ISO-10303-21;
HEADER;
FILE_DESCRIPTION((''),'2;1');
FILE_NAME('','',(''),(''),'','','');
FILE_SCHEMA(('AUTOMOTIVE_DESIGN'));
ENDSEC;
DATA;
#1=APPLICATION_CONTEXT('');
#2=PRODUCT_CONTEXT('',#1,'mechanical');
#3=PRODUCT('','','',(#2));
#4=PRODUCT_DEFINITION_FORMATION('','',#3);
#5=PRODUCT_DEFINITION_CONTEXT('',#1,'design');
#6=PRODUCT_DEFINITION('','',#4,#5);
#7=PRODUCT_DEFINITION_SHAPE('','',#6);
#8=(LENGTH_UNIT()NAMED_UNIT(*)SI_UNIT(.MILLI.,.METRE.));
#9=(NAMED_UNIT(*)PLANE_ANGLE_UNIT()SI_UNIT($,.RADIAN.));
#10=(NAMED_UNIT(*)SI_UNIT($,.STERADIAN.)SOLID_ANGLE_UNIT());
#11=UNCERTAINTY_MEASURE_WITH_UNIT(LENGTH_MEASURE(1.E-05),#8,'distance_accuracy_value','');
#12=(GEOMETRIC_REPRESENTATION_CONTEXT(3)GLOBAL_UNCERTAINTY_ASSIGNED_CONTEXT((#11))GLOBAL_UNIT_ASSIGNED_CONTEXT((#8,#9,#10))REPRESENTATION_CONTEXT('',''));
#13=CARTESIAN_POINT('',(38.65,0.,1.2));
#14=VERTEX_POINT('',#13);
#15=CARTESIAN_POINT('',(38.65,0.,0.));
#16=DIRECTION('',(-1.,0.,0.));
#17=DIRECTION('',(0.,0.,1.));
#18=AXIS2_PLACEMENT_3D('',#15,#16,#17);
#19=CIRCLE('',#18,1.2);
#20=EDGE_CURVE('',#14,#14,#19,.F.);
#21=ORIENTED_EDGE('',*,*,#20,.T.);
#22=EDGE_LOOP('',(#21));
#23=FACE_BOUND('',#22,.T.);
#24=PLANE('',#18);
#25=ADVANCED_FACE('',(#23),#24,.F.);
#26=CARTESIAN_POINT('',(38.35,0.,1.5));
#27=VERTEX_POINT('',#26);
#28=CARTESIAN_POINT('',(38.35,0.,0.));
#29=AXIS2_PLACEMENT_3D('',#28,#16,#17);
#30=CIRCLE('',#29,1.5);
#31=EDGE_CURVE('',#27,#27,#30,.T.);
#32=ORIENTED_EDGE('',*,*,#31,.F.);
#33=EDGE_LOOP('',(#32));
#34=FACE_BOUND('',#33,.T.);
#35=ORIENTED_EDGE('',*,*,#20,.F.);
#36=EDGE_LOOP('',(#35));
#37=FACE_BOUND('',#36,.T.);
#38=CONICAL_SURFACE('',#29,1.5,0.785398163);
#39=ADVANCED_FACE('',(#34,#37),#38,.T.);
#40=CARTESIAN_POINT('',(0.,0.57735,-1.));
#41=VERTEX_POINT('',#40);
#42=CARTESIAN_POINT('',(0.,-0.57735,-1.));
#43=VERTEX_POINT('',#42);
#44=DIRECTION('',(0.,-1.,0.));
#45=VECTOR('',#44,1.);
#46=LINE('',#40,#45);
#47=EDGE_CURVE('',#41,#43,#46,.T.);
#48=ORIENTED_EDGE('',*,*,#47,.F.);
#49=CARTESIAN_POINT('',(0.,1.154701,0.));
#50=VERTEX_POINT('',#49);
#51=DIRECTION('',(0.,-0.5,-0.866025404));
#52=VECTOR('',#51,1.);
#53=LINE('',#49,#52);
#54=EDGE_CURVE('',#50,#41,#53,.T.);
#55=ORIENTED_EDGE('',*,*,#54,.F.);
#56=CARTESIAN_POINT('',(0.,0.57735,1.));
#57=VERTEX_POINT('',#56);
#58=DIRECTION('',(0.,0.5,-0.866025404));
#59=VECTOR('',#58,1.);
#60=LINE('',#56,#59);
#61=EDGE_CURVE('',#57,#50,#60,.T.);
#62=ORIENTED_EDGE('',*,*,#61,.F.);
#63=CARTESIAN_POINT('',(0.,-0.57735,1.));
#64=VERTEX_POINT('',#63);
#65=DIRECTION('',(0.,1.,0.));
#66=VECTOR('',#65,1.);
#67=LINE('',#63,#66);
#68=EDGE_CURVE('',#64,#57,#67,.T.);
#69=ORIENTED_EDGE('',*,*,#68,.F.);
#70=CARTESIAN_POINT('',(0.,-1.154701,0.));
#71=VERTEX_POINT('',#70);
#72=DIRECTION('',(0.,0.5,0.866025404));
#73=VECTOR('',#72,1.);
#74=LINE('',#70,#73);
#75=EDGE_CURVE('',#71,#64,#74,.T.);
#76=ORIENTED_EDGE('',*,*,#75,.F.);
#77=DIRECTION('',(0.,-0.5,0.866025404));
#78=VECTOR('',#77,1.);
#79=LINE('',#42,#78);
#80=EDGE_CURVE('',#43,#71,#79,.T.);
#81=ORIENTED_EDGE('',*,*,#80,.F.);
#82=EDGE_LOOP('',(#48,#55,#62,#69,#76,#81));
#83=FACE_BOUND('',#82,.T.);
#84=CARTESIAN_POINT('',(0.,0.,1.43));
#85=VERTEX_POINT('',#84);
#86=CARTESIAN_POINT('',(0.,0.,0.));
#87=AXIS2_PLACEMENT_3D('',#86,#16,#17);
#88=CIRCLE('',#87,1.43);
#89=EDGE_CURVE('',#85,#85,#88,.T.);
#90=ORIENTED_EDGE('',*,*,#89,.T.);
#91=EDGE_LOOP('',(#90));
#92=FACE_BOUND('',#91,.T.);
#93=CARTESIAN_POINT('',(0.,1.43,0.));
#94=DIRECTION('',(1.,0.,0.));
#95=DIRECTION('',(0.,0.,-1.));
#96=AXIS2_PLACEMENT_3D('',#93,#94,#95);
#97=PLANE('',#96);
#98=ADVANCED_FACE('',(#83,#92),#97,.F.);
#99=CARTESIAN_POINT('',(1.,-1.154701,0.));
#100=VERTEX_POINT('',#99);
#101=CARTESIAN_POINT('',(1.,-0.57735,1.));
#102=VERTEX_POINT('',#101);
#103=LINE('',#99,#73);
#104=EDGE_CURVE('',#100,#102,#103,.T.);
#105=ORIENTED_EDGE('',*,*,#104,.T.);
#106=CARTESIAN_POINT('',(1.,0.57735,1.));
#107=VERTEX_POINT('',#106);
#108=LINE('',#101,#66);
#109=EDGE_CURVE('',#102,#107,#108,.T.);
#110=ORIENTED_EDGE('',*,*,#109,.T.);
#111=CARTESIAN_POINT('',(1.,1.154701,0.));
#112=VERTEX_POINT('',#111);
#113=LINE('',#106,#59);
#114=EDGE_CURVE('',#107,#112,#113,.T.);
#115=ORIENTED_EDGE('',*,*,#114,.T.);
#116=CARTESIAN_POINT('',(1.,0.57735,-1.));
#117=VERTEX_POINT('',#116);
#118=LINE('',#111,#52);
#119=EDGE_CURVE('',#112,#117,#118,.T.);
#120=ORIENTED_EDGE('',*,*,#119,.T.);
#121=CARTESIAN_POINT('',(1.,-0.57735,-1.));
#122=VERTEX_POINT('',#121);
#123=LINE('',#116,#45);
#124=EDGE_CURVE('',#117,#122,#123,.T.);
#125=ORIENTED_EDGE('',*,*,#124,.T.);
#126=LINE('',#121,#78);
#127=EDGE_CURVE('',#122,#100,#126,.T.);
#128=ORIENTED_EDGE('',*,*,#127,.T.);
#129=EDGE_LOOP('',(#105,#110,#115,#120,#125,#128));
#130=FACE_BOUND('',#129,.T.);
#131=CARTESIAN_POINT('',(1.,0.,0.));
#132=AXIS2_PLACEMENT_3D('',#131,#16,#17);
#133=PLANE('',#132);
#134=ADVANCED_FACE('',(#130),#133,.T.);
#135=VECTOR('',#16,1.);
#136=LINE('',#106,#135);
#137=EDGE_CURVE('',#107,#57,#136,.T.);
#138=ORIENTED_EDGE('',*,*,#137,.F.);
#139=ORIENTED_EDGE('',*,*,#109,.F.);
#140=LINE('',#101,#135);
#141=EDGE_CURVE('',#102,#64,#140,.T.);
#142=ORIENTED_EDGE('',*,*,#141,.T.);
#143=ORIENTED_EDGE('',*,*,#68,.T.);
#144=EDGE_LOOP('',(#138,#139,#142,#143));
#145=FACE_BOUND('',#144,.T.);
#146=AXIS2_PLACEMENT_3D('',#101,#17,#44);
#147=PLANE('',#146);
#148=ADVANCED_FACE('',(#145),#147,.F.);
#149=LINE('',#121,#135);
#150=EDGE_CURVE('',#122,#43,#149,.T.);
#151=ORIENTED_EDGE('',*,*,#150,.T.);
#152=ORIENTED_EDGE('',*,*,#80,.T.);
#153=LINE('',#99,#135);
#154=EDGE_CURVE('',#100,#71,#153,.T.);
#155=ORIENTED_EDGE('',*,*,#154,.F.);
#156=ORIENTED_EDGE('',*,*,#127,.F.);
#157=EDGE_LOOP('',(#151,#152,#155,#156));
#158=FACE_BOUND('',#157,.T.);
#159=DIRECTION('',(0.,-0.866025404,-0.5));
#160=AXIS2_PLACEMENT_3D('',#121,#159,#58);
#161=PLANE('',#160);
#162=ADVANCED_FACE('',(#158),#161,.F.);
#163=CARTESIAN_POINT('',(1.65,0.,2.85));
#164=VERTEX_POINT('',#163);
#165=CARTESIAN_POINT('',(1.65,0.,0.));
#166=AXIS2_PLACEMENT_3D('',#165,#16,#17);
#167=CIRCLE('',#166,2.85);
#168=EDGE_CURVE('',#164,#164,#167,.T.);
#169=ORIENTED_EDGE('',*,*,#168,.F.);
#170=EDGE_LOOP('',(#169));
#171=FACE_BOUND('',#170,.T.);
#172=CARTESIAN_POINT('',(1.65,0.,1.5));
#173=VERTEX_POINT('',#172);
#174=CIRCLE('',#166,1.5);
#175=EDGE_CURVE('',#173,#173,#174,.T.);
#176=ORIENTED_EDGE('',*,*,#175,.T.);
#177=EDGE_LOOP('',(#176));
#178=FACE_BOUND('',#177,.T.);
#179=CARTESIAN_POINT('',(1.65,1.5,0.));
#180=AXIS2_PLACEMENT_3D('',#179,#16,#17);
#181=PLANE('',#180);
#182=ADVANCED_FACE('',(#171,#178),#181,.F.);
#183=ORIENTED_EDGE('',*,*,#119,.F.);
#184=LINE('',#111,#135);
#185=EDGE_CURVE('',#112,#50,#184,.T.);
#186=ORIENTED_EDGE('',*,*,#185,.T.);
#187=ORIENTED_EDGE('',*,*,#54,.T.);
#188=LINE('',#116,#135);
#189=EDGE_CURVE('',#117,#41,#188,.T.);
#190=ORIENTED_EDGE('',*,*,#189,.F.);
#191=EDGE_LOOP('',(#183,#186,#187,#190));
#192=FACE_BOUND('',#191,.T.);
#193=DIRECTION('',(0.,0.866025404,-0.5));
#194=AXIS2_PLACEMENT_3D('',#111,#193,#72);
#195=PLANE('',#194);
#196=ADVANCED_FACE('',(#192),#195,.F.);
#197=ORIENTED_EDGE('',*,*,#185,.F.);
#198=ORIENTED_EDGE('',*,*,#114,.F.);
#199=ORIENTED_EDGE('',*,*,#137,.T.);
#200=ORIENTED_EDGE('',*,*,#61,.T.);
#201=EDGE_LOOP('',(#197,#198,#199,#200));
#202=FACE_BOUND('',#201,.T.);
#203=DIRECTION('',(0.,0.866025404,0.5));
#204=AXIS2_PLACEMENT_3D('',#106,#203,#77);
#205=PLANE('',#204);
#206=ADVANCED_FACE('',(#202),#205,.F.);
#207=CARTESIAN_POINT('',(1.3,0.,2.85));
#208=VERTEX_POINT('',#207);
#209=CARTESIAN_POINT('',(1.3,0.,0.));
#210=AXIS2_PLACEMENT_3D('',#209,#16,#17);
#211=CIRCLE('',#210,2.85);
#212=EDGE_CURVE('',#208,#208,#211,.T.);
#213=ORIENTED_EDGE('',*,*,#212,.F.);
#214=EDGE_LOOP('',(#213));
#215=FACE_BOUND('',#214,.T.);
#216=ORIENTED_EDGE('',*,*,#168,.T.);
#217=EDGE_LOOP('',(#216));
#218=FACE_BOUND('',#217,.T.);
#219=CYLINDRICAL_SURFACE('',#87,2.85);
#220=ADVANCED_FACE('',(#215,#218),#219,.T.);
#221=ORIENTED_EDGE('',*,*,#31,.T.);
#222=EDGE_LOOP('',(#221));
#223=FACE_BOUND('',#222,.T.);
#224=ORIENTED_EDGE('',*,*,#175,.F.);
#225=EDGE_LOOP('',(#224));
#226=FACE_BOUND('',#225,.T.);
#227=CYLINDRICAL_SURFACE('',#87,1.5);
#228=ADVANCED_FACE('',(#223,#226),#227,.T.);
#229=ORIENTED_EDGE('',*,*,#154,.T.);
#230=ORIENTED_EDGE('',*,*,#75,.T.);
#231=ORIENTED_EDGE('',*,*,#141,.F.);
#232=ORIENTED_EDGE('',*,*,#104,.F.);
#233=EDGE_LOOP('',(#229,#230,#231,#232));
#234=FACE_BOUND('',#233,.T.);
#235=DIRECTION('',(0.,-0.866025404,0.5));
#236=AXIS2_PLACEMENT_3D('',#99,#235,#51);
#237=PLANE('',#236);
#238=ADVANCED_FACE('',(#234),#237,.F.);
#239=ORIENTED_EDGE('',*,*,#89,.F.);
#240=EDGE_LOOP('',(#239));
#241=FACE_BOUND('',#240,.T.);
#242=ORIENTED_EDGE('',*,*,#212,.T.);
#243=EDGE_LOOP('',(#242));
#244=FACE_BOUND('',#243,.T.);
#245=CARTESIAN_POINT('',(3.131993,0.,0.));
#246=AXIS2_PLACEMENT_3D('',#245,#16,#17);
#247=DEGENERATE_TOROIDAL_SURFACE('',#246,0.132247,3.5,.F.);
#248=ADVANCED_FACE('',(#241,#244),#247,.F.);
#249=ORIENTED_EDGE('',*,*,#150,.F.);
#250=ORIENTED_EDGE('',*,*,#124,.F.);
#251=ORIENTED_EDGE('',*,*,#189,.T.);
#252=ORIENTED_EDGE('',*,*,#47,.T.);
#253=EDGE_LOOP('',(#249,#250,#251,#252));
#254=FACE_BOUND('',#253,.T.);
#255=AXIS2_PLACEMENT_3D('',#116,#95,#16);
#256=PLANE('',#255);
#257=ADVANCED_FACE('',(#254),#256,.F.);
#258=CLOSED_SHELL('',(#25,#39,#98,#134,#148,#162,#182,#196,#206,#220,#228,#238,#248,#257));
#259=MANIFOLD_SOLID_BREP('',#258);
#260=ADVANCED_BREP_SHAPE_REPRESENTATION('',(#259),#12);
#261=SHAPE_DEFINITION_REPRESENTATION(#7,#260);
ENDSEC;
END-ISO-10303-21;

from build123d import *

# Parameters (mm, degrees)
CHAMFER1_SIZE      = 0.3
CUT_EXTRUDE1_DEPTH = 1


with BuildPart() as part:
    # Sketch1 → Revolve1 (revolve)
    with BuildSketch(Plane.XY, mode=Mode.PRIVATE) as revolve1_sk:
        with BuildLine():
            Line((0, 1.43), (0, 0))
            Line((0, 0), (38.65, 0))
            Line((38.65, 0), (38.65, 1.5))
            Line((38.65, 1.5), (1.65, 1.5))
            Line((1.65, 1.5), (1.65, 2.85))
            Line((1.65, 2.85), (1.3, 2.85))
            ThreePointArc((1.3, 2.85), (0.550445176, 2.231141741), (0, 1.43))
        make_face()
    revolve(revolve1_sk.sketch.rotate(Axis((0, 0, 0), (1, 0, 0)), 90), axis=Axis((0, 0, 0), (1, 0, 0)))

    # Chamfer1
    chamfer1_edges = [part.edges().sort_by_distance(p)[0] for p in [
        (38.65, 0, -1.5),
    ]]
    chamfer(chamfer1_edges, length=CHAMFER1_SIZE)

    # Sketch2 → Cut-Extrude1 (cut)
    with BuildSketch(Plane.ZY):
        Polygon((0, 1.154700538), (-1, 0.577350269), (-1, -0.577350269), (0, -1.154700538), (1, -0.577350269), (1, 0.577350269), align=None)
    extrude(amount=-CUT_EXTRUDE1_DEPTH, mode=Mode.SUBTRACT)


solid = part.part
